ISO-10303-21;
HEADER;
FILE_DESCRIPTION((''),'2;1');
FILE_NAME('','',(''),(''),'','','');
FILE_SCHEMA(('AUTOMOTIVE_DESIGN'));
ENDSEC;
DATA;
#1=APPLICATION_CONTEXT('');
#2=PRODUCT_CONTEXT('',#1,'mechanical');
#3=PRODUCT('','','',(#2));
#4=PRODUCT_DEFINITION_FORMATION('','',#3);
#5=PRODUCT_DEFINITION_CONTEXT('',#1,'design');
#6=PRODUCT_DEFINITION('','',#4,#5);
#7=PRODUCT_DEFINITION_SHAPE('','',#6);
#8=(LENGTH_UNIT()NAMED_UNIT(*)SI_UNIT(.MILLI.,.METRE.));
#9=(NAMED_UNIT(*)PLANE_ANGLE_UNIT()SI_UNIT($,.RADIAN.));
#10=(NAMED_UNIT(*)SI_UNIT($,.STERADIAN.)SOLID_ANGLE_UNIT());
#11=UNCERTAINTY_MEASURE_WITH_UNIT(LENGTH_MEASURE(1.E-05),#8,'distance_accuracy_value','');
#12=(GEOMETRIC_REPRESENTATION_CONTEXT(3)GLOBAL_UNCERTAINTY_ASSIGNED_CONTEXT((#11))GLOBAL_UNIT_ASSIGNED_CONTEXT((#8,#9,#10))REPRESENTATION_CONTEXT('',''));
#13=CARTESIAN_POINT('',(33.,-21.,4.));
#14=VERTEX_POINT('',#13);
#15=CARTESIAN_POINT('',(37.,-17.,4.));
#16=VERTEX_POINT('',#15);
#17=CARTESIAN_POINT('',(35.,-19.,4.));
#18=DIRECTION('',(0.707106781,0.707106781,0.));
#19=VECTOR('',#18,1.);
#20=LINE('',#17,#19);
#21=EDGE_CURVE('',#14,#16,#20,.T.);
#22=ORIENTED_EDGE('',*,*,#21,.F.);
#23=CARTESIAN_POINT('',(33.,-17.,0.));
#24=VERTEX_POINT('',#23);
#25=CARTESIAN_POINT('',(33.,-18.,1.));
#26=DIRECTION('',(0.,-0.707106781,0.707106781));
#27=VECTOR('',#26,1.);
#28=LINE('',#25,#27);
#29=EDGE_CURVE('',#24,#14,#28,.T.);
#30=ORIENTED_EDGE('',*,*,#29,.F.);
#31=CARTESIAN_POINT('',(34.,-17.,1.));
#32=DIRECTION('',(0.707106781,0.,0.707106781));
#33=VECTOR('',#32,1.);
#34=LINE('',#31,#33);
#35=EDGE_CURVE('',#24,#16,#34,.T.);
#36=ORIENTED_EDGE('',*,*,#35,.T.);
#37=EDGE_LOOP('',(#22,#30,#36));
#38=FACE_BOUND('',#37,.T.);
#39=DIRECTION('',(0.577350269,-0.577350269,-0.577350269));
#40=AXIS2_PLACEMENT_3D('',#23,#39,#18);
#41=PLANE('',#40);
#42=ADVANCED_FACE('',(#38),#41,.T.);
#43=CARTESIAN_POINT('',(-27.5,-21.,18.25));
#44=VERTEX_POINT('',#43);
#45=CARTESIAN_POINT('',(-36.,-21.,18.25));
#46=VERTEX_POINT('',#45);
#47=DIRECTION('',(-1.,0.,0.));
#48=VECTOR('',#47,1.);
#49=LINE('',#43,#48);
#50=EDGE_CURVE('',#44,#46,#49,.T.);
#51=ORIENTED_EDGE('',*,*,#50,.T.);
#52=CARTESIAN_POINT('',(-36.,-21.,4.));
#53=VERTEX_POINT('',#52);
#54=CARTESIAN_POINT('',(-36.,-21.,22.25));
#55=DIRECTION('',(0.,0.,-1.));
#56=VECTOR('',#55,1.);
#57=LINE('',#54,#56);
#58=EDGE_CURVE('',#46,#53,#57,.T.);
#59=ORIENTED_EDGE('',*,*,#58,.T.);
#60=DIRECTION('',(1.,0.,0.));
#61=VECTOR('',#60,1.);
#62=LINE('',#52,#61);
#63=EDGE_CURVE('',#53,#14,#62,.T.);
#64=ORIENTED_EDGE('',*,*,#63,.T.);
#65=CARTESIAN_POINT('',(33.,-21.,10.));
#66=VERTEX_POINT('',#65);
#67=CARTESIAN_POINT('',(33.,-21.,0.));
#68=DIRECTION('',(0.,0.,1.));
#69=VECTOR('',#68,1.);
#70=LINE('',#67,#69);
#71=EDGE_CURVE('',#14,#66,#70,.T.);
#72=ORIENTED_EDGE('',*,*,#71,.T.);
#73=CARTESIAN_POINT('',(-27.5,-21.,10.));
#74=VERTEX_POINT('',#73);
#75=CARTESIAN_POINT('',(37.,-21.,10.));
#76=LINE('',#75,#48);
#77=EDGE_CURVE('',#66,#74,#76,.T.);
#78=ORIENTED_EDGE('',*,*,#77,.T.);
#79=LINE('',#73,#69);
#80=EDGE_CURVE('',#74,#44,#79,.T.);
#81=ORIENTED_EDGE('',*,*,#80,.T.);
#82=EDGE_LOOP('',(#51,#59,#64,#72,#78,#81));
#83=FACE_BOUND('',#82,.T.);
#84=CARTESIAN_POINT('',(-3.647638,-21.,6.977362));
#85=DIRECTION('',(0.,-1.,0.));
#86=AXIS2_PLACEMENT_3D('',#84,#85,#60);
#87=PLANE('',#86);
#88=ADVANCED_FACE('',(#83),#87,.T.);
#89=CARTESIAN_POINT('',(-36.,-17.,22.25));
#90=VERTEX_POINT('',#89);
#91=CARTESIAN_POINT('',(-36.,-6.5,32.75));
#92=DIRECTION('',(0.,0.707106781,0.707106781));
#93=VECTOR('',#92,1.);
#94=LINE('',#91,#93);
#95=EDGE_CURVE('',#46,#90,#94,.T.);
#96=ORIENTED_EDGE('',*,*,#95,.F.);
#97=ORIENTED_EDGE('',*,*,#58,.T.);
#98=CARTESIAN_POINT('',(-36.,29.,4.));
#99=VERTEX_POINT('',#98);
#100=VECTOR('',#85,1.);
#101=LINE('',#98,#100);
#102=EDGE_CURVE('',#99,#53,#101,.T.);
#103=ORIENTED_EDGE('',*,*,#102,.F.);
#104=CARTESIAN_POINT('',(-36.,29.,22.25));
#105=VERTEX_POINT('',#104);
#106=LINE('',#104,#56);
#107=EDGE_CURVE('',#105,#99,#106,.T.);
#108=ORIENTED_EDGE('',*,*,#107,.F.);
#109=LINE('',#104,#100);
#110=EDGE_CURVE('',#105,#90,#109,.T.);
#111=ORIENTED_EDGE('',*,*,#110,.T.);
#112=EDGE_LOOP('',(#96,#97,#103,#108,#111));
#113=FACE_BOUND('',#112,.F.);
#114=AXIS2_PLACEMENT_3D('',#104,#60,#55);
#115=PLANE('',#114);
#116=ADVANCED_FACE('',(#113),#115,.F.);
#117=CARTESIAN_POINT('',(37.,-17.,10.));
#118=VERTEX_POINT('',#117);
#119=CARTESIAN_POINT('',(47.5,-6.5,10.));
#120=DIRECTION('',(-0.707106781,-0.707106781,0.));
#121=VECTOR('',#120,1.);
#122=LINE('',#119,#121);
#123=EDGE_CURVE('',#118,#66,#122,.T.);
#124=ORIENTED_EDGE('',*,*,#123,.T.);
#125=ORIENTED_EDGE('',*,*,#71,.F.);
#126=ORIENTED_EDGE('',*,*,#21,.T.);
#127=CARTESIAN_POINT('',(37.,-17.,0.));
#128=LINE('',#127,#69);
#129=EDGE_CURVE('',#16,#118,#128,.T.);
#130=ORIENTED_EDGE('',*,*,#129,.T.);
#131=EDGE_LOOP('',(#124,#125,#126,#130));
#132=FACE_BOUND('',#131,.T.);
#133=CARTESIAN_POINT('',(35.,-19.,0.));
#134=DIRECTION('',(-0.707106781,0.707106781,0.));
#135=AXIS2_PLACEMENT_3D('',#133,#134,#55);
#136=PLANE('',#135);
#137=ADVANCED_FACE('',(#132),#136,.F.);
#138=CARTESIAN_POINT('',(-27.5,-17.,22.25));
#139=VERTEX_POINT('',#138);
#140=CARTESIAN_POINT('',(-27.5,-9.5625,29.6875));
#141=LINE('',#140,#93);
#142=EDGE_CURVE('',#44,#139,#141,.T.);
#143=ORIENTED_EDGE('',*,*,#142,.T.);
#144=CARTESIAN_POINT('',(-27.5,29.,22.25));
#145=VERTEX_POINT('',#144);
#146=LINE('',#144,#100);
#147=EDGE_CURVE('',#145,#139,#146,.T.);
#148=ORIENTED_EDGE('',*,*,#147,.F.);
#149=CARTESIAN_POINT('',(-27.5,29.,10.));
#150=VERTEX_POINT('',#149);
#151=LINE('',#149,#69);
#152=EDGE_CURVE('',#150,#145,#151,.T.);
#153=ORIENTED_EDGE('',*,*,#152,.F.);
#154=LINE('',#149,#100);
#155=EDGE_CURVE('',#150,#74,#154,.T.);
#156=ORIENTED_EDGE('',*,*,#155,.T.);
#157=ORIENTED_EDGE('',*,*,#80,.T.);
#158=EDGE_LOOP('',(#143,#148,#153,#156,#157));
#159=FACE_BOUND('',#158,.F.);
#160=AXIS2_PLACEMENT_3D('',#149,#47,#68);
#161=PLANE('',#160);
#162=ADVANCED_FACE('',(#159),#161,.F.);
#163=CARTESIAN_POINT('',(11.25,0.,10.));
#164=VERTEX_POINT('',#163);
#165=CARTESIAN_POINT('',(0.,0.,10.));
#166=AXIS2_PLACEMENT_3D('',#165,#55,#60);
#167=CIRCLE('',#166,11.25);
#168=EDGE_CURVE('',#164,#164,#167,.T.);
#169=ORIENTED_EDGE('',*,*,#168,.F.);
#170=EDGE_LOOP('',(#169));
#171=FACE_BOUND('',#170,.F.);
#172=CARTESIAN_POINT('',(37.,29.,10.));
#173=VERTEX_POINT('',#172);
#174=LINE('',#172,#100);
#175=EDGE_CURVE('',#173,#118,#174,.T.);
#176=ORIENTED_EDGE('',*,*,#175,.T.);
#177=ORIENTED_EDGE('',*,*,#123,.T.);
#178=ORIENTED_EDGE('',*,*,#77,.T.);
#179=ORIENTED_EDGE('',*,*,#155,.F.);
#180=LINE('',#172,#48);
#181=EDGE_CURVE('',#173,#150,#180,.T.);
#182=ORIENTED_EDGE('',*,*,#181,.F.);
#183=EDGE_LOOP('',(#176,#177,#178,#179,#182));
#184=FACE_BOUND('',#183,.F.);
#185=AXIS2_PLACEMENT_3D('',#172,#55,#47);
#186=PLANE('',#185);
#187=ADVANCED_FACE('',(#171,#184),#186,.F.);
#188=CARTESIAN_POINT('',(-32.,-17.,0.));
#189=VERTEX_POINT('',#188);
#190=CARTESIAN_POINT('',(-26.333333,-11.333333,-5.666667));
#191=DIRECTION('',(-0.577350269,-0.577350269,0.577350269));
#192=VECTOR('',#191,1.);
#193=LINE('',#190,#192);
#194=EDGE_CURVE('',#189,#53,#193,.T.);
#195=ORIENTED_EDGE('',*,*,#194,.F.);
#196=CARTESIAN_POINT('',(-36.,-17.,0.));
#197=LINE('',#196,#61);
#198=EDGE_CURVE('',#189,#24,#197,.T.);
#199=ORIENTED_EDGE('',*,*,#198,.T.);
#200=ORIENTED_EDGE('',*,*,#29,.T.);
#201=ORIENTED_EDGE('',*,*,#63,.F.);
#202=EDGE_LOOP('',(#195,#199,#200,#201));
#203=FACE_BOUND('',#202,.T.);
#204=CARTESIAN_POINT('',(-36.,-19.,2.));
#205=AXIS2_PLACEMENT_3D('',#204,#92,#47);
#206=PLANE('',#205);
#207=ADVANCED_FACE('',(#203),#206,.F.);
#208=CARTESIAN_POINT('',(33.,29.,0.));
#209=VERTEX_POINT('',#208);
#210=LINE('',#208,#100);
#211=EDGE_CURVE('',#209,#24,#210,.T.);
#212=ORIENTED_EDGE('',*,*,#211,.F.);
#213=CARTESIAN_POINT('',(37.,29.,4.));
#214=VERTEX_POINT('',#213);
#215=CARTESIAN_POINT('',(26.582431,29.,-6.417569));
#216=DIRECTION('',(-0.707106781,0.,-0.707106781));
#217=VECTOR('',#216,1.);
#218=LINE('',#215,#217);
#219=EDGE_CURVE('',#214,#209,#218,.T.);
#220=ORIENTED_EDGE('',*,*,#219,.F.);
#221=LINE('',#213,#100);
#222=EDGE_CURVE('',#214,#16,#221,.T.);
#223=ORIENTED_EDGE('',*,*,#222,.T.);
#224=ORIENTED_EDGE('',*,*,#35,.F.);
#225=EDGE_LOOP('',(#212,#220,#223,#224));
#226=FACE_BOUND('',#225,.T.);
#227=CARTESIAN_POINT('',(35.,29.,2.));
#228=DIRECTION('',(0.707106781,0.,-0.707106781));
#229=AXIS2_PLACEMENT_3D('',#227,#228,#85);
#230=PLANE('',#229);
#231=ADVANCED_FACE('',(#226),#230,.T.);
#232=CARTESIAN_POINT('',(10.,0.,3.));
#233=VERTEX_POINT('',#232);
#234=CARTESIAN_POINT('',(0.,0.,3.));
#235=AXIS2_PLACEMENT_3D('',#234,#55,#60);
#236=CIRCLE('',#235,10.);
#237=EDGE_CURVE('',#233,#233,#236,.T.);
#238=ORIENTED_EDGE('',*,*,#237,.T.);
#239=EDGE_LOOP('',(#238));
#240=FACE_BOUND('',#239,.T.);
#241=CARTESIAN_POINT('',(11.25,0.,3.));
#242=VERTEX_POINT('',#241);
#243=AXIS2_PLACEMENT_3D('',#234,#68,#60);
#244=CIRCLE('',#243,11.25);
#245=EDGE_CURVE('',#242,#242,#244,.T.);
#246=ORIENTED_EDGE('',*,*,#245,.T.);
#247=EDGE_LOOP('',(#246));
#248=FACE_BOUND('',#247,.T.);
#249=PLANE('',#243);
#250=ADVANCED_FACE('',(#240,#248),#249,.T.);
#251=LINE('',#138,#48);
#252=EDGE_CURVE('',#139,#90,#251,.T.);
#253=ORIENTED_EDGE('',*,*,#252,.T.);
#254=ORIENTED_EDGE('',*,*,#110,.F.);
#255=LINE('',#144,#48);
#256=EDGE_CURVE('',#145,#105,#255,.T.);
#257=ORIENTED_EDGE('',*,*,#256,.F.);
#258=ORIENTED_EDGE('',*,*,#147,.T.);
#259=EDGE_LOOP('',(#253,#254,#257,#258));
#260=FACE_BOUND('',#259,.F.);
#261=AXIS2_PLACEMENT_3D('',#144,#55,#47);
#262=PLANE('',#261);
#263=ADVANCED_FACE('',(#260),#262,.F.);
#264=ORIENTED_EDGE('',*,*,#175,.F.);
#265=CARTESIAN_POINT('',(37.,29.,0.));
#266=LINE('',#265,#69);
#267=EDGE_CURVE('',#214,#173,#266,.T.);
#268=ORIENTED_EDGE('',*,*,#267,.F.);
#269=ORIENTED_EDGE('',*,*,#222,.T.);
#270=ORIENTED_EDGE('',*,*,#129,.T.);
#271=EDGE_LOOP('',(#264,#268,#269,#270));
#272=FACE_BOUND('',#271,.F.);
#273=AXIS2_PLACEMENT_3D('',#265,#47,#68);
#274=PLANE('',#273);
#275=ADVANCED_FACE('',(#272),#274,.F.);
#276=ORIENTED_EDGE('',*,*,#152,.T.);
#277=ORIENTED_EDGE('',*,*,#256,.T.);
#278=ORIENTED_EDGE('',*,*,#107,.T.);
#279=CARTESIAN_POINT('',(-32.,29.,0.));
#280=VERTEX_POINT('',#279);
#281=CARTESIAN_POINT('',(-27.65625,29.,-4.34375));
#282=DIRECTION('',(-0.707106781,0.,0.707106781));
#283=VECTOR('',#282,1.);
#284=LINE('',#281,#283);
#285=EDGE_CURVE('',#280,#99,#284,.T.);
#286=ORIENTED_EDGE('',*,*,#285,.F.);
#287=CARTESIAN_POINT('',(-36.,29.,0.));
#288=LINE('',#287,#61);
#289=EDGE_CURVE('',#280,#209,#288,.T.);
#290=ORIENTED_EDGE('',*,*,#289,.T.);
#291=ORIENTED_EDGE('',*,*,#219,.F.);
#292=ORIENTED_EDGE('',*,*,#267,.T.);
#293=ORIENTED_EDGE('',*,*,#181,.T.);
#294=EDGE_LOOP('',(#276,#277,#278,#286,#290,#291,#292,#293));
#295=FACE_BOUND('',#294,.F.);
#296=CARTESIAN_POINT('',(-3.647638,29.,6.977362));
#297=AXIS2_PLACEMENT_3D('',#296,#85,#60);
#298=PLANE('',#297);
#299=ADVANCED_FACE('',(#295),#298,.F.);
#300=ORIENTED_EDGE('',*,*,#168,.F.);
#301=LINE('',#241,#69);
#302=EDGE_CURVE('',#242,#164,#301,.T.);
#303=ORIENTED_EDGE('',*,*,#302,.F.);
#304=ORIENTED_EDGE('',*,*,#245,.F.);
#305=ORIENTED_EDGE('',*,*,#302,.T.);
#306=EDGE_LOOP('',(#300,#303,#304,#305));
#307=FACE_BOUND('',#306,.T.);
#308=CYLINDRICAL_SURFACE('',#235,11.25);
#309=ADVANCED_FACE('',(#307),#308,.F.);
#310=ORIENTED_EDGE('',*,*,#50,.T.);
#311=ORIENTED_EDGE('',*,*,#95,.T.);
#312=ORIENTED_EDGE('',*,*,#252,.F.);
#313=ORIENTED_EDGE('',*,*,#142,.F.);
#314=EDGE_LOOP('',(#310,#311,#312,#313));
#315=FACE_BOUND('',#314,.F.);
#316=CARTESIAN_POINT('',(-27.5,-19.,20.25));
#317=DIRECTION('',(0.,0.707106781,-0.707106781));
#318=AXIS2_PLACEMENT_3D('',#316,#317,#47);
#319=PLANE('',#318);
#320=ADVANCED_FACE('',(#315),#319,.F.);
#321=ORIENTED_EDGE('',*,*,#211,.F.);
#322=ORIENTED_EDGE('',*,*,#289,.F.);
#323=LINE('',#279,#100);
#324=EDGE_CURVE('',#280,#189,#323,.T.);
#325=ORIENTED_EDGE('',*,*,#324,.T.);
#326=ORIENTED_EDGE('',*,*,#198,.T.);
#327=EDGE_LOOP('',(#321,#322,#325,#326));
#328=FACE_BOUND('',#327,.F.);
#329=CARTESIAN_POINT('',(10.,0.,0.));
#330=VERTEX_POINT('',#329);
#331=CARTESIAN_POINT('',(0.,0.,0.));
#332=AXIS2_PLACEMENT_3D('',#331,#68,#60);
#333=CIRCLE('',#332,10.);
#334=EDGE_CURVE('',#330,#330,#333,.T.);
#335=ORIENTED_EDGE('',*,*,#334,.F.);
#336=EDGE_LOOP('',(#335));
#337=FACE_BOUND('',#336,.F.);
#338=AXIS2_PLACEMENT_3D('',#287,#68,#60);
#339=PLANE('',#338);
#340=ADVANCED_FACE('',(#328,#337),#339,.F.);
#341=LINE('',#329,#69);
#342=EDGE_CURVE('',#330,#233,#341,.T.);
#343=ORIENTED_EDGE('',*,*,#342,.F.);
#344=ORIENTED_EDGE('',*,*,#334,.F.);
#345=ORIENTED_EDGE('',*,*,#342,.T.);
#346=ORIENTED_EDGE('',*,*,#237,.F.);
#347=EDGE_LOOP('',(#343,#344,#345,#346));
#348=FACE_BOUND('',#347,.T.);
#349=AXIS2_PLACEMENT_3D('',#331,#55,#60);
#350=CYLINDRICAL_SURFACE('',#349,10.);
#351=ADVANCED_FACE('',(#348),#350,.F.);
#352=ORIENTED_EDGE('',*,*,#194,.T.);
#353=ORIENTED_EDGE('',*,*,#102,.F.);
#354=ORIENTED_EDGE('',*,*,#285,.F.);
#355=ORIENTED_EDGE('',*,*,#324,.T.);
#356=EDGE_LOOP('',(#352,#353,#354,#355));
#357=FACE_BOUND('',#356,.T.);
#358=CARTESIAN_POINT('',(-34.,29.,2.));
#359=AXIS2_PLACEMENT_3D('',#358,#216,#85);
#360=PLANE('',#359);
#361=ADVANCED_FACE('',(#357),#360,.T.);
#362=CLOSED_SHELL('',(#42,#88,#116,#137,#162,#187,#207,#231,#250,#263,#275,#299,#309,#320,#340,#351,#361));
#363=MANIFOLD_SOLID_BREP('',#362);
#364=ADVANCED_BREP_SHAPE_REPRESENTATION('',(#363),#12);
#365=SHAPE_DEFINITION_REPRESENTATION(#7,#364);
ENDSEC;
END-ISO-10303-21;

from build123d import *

# Parameters (mm, degrees)
PAD007_DEPTH    = 50
SKETCH009_R     = 10
POCKET001_DEPTH = 22.251
SKETCH010_R     = 11.25
POCKET002_DEPTH = 19.251
CHAMFER001_SIZE = 4


with BuildPart() as part:
    # Sketch008 (on Face1 of Binder002) → Pad007 (new body)
    with BuildSketch(Plane.XZ.offset(-29)):
        Polygon((37, 0), (37, 10), (-27.5, 10), (-27.5, 22.25), (-36, 22.25), (-36, 0), align=None)
    extrude(amount=PAD007_DEPTH)

    # Sketch009 → Pocket001 (cut, through all)
    with BuildSketch(Plane.XY):
        Circle(SKETCH009_R)
    extrude(amount=POCKET001_DEPTH, mode=Mode.SUBTRACT)

    # Sketch010 → Pocket002 (cut, through all)
    with BuildSketch(Plane.XY.offset(3)):
        Circle(SKETCH010_R)
    extrude(amount=POCKET002_DEPTH, mode=Mode.SUBTRACT)

    # Chamfer001
    chamfer001_edges = [part.edges().sort_by_distance(p)[0] for p in [
        (-31.75, -21, 22.25),
        (37, -21, 5),
        (-36, 4, 0),
        (0.5, -21, 0),
        (37, 4, 0),
    ]]
    chamfer(chamfer001_edges, length=CHAMFER001_SIZE)


solid = part.part
